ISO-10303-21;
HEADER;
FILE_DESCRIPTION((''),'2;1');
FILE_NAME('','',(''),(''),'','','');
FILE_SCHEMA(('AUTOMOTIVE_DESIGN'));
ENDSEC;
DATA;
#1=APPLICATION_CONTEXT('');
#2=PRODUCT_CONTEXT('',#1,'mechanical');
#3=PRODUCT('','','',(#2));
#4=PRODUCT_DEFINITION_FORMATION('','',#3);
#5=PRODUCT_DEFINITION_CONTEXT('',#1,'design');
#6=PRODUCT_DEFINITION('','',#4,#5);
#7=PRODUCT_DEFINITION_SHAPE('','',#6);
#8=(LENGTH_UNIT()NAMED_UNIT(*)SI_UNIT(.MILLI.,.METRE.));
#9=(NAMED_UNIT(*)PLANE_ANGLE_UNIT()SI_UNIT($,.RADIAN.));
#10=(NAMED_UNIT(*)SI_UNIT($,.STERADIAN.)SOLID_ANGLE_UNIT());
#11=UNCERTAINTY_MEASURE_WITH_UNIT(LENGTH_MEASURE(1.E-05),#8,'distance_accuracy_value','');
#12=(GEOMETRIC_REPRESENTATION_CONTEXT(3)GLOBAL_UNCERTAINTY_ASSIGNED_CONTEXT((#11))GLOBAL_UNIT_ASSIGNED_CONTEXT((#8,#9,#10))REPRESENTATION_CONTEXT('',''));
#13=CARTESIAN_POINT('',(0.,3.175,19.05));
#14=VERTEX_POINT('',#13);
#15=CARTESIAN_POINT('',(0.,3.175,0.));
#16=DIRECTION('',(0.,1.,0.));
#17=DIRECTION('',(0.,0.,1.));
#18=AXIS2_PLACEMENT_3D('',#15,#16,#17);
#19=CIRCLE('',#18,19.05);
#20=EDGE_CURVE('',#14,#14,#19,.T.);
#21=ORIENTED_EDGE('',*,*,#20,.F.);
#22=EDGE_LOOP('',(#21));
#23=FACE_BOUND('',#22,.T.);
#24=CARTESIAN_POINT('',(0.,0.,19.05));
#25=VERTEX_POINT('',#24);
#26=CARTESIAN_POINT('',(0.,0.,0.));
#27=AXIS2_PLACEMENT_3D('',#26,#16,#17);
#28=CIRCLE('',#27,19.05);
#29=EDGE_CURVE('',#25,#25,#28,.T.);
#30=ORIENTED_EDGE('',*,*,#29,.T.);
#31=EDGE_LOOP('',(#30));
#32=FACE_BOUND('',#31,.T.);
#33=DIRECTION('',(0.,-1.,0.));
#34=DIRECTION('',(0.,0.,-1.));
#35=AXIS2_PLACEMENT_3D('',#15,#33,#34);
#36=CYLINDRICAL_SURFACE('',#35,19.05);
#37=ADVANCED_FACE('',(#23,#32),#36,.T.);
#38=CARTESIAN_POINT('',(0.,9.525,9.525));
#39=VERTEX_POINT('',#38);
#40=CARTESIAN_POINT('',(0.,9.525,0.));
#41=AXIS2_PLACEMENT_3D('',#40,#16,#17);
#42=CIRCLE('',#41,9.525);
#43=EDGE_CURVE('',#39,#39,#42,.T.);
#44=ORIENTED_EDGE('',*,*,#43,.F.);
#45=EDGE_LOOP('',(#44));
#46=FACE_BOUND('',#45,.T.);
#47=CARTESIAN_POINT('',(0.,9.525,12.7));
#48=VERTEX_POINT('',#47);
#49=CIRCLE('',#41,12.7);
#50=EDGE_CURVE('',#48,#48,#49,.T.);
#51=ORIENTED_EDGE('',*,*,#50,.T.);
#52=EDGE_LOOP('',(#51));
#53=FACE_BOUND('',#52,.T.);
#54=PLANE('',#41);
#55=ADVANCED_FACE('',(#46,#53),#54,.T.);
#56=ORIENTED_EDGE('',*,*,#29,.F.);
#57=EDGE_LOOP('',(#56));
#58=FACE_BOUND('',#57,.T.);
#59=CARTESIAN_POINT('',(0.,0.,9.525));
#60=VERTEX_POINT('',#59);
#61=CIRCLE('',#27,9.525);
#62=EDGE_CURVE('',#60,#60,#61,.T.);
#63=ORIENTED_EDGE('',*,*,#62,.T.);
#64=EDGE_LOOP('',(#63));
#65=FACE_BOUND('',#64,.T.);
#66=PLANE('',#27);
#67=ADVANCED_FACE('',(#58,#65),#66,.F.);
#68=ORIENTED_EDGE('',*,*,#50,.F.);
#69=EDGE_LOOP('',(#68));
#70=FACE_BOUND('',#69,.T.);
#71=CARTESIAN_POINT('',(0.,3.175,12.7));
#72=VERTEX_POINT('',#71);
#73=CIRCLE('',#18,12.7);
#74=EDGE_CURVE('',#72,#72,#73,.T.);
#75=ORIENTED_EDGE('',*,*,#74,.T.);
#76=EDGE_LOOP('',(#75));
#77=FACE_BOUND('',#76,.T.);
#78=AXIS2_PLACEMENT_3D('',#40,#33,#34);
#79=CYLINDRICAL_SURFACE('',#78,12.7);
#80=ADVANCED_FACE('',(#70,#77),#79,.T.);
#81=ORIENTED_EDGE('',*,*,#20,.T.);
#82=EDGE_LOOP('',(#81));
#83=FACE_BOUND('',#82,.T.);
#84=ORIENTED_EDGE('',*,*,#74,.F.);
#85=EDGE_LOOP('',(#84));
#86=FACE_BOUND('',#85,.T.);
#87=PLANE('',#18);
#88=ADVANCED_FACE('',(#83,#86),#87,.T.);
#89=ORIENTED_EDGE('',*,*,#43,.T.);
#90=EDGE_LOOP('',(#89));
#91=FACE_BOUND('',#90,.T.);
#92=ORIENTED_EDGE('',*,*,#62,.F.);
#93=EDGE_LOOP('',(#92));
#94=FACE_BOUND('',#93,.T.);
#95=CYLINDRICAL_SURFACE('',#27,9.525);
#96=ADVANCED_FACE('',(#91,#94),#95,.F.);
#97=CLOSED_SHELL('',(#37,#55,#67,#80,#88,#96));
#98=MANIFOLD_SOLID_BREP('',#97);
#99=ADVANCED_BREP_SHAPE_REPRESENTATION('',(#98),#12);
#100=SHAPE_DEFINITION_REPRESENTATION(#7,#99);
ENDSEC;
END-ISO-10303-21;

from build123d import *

# Parameters (mm, degrees)
SKETCH2_R           = 19.05
BOSS_EXTRUDE1_DEPTH = 3.175
SKETCH3_R           = 12.7
BOSS_EXTRUDE2_DEPTH = 6.35
SKETCH4_R           = 9.525
CUT_EXTRUDE1_DEPTH  = 10.525


with BuildPart() as part:
    # Sketch2 → Boss-Extrude1 (new body)
    with BuildSketch(Plane(origin=(0, 0, 0), x_dir=(1, 0, 0), z_dir=(0, 1, 0))):
        Circle(SKETCH2_R)
    extrude(amount=BOSS_EXTRUDE1_DEPTH)

    # Sketch3 → Boss-Extrude2 (add)
    with BuildSketch(Plane(origin=(0, 3.175, 0), x_dir=(1, 0, 0), z_dir=(0, 1, 0))):
        Circle(SKETCH3_R)
    extrude(amount=BOSS_EXTRUDE2_DEPTH)

    # Sketch4 → Cut-Extrude1 (cut, through all)
    with BuildSketch(Plane(origin=(0, 9.525, 0), x_dir=(1, 0, 0), z_dir=(0, 1, 0))):
        Circle(SKETCH4_R)
    extrude(amount=-CUT_EXTRUDE1_DEPTH, mode=Mode.SUBTRACT)


solid = part.part
